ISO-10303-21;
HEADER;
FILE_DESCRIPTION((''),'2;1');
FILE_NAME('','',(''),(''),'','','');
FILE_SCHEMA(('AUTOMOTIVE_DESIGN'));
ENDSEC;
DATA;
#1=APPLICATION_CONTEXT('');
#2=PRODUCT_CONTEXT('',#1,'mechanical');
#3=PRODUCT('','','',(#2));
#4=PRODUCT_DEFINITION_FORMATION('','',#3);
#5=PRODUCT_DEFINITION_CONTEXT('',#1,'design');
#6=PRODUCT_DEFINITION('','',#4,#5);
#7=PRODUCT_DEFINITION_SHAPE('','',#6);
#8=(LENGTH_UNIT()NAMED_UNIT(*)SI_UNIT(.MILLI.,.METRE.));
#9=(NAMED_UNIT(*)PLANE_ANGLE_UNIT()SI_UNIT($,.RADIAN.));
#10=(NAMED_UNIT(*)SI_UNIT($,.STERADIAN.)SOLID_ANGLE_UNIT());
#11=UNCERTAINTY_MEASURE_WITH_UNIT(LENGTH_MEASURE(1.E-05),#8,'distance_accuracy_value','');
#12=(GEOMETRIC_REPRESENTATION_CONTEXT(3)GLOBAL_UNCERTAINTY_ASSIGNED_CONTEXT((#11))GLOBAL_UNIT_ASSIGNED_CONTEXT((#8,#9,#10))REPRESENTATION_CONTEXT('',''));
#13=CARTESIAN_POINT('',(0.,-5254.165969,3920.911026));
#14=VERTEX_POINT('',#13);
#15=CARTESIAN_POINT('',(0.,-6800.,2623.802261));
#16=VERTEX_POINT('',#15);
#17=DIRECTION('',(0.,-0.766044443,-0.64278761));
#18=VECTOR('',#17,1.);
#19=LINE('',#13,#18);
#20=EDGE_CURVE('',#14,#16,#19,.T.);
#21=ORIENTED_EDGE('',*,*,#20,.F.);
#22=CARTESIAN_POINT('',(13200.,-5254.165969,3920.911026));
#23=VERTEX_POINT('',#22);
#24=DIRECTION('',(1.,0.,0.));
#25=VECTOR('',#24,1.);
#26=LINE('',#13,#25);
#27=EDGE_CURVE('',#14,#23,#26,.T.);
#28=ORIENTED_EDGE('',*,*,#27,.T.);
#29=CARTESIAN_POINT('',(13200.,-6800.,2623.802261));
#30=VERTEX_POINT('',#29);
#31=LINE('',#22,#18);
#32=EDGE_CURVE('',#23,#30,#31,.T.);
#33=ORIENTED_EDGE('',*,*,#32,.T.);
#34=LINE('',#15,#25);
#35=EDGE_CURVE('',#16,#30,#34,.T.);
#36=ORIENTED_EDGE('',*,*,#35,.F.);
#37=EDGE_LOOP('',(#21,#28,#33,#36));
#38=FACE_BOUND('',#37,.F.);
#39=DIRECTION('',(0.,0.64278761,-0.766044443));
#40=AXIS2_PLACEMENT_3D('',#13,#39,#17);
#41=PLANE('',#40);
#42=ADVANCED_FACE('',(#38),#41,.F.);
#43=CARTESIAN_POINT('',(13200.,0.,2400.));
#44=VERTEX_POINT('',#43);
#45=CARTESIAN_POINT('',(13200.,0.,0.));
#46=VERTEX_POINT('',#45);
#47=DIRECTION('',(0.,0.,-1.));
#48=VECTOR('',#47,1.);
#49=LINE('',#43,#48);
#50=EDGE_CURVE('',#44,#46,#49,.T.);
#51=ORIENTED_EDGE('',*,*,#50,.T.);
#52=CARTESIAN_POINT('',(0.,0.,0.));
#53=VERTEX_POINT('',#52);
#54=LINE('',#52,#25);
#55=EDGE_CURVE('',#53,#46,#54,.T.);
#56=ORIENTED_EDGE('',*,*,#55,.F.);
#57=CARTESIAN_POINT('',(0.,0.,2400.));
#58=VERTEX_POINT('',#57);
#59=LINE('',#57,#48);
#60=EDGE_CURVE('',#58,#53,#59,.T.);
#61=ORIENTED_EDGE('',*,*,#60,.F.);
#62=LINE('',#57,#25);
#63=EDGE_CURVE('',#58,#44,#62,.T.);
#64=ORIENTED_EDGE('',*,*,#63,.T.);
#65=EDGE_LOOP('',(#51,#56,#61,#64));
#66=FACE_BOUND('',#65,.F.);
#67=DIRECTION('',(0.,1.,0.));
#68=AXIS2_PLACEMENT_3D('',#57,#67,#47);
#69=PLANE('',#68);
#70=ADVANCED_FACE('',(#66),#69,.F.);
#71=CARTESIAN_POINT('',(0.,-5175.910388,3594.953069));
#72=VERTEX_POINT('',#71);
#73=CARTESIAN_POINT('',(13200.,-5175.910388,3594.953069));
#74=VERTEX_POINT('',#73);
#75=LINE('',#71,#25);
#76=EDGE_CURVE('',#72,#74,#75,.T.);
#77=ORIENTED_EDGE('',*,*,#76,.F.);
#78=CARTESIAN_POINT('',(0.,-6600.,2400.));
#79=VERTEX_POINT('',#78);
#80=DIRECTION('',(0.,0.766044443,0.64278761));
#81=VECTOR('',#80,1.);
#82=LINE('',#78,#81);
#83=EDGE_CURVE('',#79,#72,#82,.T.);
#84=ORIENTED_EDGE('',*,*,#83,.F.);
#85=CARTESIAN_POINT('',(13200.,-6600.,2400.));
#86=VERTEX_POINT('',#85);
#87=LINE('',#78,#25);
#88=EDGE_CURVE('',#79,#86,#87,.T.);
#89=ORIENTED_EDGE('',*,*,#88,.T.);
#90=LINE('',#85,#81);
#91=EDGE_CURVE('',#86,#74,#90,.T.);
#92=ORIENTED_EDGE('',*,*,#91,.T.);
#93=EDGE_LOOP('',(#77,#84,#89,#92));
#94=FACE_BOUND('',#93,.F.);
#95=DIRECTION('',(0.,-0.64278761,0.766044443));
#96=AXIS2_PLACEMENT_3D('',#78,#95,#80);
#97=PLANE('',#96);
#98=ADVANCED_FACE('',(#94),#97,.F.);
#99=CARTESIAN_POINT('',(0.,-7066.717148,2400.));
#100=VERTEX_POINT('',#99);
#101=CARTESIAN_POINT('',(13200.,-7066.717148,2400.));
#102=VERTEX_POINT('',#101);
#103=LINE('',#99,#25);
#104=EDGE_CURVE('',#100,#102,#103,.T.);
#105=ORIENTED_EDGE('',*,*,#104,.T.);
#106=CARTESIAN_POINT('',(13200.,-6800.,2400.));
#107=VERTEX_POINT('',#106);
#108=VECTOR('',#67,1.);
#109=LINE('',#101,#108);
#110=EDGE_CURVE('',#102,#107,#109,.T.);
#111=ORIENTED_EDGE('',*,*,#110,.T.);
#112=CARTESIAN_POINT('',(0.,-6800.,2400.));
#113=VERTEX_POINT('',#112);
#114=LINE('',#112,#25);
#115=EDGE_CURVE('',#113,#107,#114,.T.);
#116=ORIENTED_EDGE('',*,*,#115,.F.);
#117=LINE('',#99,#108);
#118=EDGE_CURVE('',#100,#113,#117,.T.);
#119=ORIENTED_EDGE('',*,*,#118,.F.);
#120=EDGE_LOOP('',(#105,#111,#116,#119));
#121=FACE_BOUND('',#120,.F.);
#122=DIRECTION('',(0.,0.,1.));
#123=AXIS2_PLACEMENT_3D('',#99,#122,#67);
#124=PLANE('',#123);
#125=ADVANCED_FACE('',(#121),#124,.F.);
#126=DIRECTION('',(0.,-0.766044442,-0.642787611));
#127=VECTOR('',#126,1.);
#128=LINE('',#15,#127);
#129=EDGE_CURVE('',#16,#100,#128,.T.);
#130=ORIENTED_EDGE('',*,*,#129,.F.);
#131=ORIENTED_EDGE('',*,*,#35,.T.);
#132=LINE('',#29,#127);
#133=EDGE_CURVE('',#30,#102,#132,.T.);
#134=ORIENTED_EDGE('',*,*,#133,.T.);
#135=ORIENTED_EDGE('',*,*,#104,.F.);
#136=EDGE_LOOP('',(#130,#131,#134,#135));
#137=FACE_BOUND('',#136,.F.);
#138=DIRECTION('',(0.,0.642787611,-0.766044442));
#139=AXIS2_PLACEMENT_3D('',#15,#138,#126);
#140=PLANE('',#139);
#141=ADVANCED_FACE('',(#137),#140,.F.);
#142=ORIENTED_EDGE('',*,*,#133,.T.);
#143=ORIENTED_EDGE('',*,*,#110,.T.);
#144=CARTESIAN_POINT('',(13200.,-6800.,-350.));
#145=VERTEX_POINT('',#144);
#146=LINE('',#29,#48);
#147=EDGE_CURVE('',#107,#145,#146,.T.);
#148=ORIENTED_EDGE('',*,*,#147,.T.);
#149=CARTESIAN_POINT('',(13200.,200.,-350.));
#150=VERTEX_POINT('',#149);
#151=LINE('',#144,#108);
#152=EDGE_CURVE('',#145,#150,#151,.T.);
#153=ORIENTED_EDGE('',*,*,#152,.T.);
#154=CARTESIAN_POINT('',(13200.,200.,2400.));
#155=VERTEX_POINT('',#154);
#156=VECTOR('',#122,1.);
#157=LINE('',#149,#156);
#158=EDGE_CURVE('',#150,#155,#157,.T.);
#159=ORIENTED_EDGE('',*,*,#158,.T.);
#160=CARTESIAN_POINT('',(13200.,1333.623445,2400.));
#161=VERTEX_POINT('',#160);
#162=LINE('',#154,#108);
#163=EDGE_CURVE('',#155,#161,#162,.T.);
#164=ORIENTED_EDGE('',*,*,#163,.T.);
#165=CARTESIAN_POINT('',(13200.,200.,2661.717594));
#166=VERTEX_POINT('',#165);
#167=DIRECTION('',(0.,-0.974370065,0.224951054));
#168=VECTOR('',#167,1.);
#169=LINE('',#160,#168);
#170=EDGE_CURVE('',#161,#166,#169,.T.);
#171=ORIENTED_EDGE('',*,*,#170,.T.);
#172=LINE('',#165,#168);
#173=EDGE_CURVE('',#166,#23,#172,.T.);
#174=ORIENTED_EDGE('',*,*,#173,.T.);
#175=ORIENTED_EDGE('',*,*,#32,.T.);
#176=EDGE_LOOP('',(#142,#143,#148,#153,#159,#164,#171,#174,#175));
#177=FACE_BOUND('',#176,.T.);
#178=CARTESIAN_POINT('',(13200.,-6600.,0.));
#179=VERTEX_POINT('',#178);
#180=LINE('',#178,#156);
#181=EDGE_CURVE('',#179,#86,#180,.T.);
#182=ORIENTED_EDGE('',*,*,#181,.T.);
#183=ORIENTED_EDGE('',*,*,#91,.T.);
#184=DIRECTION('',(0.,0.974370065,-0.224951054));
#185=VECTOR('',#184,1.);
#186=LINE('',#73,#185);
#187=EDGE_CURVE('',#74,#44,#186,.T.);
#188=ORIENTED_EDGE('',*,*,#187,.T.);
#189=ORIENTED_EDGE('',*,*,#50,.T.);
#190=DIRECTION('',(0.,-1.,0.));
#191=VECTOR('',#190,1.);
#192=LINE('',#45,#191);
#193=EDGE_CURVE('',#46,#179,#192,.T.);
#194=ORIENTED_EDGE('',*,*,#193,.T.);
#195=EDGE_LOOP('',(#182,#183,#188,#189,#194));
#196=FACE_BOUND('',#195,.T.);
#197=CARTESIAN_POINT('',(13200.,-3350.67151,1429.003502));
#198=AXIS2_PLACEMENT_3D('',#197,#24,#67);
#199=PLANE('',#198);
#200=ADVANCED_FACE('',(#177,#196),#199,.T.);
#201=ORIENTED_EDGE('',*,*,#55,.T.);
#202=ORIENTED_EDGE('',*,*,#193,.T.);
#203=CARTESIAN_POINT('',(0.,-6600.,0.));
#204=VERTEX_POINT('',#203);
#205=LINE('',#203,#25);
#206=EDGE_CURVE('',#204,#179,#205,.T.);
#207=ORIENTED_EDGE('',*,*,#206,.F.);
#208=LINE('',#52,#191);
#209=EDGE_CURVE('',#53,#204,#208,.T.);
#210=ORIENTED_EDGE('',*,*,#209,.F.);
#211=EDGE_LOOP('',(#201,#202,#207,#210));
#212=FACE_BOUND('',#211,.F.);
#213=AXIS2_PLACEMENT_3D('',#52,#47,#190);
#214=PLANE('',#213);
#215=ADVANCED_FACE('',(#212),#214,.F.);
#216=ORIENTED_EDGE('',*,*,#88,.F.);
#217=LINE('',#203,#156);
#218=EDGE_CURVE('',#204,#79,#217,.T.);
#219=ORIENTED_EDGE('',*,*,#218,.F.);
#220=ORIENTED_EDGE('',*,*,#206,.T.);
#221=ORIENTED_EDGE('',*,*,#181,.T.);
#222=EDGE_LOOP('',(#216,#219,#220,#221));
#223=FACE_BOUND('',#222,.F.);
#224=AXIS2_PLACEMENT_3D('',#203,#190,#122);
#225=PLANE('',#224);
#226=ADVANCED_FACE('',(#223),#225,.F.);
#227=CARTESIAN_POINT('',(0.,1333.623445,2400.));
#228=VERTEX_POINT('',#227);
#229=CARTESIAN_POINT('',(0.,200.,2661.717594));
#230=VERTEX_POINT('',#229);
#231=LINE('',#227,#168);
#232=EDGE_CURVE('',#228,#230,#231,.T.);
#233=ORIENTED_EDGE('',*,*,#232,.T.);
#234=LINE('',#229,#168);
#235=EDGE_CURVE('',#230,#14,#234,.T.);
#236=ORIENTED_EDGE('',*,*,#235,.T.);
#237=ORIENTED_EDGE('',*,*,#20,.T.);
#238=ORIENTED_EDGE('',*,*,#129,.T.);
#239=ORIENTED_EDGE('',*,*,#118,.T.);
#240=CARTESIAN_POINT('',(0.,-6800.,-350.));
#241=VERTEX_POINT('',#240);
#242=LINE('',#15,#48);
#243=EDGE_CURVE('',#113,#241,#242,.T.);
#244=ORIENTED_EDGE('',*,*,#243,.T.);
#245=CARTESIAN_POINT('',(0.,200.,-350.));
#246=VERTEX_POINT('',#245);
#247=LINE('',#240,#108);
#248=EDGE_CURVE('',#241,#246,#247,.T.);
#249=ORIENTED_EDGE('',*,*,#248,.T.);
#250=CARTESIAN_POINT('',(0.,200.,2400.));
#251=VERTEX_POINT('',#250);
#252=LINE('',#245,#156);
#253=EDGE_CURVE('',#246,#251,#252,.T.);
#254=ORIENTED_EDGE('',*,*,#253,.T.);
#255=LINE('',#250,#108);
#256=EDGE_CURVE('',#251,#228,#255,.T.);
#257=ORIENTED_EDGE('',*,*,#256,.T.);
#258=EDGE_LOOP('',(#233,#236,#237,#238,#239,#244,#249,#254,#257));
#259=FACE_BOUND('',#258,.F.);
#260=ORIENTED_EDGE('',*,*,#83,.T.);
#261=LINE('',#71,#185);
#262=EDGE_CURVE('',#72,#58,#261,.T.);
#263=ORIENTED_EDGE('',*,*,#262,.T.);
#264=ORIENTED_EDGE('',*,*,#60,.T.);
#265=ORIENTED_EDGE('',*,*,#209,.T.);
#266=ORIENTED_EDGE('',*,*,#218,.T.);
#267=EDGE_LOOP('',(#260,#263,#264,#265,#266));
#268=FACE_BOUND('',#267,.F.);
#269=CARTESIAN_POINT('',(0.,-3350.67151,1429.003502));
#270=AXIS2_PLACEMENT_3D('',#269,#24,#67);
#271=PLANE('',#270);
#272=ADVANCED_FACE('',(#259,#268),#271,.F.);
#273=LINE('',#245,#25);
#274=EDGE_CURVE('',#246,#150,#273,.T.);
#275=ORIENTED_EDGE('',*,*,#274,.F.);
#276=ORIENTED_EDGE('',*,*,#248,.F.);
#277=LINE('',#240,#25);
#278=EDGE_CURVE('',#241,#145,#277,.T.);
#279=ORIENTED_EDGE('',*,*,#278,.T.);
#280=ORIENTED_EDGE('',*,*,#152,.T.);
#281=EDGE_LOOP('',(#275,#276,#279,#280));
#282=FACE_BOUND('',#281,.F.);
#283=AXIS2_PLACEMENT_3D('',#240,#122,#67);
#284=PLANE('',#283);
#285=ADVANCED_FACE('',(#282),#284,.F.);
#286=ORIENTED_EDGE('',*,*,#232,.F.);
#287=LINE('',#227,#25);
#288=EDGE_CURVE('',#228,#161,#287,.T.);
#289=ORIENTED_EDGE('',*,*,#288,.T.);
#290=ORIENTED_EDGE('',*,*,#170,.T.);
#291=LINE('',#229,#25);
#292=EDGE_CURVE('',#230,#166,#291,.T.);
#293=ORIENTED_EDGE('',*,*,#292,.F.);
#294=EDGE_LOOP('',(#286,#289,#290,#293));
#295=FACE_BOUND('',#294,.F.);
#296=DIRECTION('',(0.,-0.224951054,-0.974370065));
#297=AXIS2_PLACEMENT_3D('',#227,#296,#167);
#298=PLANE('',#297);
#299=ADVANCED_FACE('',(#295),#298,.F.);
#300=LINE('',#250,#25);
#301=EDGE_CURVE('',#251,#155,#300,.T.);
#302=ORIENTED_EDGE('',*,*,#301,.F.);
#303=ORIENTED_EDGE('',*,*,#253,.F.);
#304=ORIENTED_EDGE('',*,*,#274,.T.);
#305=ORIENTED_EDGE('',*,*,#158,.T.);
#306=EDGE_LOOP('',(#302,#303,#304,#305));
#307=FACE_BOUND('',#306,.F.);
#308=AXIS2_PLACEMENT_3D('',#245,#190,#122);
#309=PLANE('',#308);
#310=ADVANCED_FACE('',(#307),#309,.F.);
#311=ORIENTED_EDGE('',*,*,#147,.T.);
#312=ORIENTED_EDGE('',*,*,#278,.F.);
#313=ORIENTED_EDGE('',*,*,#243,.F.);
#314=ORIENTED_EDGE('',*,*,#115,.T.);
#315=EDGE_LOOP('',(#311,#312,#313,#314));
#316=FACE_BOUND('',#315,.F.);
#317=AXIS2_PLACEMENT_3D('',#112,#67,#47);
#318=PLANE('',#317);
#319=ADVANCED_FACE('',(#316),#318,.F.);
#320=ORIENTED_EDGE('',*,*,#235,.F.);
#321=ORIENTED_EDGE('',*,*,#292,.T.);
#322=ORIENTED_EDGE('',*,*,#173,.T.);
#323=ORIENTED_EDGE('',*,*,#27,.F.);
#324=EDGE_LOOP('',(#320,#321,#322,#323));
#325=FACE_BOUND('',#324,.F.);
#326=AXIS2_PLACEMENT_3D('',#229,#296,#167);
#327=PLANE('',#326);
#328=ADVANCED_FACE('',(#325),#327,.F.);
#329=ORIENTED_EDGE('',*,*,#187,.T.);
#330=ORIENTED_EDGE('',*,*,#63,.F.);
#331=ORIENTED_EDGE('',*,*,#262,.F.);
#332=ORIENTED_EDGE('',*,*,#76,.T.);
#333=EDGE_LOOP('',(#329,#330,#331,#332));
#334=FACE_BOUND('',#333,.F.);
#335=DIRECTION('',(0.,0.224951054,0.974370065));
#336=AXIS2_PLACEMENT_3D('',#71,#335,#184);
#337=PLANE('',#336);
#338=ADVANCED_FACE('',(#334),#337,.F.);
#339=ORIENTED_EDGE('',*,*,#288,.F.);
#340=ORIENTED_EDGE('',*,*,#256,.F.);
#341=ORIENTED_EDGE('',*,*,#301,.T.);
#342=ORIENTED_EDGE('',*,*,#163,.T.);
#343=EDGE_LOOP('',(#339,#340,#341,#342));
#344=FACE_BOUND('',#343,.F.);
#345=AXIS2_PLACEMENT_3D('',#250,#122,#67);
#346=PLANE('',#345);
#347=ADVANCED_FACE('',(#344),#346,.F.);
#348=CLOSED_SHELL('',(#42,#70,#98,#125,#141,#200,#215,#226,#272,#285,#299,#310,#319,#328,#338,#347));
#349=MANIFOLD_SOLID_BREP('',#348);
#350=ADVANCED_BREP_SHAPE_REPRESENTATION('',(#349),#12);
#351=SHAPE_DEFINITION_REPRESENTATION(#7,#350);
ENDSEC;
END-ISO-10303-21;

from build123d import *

# Parameters (mm, degrees)
F1_DEPTH = 13200


with BuildPart() as f1:
    # F0 (on Right) → F1 (new body)
    with BuildSketch(Plane.YZ):
        Polygon((200, -350), (200, 2400), (200, 2661.717594), (-5254.165969, 3920.911026), (-6800, 2623.802261), (-6800, 2400), (-6800, -350), align=None)
        Polygon((0, 2400), (0, 0), (-6600, 0), (-6600, 2400), (-5175.910388, 3594.953069), align=None, mode=Mode.SUBTRACT)
        Polygon((200, 2661.717594), (200, 2400), (1333.623445, 2400), align=None)
        Polygon((-6800, 2400), (-6800, 2623.802261), (-7066.717148, 2400), align=None)
    extrude(amount=F1_DEPTH)


solid = f1.part
